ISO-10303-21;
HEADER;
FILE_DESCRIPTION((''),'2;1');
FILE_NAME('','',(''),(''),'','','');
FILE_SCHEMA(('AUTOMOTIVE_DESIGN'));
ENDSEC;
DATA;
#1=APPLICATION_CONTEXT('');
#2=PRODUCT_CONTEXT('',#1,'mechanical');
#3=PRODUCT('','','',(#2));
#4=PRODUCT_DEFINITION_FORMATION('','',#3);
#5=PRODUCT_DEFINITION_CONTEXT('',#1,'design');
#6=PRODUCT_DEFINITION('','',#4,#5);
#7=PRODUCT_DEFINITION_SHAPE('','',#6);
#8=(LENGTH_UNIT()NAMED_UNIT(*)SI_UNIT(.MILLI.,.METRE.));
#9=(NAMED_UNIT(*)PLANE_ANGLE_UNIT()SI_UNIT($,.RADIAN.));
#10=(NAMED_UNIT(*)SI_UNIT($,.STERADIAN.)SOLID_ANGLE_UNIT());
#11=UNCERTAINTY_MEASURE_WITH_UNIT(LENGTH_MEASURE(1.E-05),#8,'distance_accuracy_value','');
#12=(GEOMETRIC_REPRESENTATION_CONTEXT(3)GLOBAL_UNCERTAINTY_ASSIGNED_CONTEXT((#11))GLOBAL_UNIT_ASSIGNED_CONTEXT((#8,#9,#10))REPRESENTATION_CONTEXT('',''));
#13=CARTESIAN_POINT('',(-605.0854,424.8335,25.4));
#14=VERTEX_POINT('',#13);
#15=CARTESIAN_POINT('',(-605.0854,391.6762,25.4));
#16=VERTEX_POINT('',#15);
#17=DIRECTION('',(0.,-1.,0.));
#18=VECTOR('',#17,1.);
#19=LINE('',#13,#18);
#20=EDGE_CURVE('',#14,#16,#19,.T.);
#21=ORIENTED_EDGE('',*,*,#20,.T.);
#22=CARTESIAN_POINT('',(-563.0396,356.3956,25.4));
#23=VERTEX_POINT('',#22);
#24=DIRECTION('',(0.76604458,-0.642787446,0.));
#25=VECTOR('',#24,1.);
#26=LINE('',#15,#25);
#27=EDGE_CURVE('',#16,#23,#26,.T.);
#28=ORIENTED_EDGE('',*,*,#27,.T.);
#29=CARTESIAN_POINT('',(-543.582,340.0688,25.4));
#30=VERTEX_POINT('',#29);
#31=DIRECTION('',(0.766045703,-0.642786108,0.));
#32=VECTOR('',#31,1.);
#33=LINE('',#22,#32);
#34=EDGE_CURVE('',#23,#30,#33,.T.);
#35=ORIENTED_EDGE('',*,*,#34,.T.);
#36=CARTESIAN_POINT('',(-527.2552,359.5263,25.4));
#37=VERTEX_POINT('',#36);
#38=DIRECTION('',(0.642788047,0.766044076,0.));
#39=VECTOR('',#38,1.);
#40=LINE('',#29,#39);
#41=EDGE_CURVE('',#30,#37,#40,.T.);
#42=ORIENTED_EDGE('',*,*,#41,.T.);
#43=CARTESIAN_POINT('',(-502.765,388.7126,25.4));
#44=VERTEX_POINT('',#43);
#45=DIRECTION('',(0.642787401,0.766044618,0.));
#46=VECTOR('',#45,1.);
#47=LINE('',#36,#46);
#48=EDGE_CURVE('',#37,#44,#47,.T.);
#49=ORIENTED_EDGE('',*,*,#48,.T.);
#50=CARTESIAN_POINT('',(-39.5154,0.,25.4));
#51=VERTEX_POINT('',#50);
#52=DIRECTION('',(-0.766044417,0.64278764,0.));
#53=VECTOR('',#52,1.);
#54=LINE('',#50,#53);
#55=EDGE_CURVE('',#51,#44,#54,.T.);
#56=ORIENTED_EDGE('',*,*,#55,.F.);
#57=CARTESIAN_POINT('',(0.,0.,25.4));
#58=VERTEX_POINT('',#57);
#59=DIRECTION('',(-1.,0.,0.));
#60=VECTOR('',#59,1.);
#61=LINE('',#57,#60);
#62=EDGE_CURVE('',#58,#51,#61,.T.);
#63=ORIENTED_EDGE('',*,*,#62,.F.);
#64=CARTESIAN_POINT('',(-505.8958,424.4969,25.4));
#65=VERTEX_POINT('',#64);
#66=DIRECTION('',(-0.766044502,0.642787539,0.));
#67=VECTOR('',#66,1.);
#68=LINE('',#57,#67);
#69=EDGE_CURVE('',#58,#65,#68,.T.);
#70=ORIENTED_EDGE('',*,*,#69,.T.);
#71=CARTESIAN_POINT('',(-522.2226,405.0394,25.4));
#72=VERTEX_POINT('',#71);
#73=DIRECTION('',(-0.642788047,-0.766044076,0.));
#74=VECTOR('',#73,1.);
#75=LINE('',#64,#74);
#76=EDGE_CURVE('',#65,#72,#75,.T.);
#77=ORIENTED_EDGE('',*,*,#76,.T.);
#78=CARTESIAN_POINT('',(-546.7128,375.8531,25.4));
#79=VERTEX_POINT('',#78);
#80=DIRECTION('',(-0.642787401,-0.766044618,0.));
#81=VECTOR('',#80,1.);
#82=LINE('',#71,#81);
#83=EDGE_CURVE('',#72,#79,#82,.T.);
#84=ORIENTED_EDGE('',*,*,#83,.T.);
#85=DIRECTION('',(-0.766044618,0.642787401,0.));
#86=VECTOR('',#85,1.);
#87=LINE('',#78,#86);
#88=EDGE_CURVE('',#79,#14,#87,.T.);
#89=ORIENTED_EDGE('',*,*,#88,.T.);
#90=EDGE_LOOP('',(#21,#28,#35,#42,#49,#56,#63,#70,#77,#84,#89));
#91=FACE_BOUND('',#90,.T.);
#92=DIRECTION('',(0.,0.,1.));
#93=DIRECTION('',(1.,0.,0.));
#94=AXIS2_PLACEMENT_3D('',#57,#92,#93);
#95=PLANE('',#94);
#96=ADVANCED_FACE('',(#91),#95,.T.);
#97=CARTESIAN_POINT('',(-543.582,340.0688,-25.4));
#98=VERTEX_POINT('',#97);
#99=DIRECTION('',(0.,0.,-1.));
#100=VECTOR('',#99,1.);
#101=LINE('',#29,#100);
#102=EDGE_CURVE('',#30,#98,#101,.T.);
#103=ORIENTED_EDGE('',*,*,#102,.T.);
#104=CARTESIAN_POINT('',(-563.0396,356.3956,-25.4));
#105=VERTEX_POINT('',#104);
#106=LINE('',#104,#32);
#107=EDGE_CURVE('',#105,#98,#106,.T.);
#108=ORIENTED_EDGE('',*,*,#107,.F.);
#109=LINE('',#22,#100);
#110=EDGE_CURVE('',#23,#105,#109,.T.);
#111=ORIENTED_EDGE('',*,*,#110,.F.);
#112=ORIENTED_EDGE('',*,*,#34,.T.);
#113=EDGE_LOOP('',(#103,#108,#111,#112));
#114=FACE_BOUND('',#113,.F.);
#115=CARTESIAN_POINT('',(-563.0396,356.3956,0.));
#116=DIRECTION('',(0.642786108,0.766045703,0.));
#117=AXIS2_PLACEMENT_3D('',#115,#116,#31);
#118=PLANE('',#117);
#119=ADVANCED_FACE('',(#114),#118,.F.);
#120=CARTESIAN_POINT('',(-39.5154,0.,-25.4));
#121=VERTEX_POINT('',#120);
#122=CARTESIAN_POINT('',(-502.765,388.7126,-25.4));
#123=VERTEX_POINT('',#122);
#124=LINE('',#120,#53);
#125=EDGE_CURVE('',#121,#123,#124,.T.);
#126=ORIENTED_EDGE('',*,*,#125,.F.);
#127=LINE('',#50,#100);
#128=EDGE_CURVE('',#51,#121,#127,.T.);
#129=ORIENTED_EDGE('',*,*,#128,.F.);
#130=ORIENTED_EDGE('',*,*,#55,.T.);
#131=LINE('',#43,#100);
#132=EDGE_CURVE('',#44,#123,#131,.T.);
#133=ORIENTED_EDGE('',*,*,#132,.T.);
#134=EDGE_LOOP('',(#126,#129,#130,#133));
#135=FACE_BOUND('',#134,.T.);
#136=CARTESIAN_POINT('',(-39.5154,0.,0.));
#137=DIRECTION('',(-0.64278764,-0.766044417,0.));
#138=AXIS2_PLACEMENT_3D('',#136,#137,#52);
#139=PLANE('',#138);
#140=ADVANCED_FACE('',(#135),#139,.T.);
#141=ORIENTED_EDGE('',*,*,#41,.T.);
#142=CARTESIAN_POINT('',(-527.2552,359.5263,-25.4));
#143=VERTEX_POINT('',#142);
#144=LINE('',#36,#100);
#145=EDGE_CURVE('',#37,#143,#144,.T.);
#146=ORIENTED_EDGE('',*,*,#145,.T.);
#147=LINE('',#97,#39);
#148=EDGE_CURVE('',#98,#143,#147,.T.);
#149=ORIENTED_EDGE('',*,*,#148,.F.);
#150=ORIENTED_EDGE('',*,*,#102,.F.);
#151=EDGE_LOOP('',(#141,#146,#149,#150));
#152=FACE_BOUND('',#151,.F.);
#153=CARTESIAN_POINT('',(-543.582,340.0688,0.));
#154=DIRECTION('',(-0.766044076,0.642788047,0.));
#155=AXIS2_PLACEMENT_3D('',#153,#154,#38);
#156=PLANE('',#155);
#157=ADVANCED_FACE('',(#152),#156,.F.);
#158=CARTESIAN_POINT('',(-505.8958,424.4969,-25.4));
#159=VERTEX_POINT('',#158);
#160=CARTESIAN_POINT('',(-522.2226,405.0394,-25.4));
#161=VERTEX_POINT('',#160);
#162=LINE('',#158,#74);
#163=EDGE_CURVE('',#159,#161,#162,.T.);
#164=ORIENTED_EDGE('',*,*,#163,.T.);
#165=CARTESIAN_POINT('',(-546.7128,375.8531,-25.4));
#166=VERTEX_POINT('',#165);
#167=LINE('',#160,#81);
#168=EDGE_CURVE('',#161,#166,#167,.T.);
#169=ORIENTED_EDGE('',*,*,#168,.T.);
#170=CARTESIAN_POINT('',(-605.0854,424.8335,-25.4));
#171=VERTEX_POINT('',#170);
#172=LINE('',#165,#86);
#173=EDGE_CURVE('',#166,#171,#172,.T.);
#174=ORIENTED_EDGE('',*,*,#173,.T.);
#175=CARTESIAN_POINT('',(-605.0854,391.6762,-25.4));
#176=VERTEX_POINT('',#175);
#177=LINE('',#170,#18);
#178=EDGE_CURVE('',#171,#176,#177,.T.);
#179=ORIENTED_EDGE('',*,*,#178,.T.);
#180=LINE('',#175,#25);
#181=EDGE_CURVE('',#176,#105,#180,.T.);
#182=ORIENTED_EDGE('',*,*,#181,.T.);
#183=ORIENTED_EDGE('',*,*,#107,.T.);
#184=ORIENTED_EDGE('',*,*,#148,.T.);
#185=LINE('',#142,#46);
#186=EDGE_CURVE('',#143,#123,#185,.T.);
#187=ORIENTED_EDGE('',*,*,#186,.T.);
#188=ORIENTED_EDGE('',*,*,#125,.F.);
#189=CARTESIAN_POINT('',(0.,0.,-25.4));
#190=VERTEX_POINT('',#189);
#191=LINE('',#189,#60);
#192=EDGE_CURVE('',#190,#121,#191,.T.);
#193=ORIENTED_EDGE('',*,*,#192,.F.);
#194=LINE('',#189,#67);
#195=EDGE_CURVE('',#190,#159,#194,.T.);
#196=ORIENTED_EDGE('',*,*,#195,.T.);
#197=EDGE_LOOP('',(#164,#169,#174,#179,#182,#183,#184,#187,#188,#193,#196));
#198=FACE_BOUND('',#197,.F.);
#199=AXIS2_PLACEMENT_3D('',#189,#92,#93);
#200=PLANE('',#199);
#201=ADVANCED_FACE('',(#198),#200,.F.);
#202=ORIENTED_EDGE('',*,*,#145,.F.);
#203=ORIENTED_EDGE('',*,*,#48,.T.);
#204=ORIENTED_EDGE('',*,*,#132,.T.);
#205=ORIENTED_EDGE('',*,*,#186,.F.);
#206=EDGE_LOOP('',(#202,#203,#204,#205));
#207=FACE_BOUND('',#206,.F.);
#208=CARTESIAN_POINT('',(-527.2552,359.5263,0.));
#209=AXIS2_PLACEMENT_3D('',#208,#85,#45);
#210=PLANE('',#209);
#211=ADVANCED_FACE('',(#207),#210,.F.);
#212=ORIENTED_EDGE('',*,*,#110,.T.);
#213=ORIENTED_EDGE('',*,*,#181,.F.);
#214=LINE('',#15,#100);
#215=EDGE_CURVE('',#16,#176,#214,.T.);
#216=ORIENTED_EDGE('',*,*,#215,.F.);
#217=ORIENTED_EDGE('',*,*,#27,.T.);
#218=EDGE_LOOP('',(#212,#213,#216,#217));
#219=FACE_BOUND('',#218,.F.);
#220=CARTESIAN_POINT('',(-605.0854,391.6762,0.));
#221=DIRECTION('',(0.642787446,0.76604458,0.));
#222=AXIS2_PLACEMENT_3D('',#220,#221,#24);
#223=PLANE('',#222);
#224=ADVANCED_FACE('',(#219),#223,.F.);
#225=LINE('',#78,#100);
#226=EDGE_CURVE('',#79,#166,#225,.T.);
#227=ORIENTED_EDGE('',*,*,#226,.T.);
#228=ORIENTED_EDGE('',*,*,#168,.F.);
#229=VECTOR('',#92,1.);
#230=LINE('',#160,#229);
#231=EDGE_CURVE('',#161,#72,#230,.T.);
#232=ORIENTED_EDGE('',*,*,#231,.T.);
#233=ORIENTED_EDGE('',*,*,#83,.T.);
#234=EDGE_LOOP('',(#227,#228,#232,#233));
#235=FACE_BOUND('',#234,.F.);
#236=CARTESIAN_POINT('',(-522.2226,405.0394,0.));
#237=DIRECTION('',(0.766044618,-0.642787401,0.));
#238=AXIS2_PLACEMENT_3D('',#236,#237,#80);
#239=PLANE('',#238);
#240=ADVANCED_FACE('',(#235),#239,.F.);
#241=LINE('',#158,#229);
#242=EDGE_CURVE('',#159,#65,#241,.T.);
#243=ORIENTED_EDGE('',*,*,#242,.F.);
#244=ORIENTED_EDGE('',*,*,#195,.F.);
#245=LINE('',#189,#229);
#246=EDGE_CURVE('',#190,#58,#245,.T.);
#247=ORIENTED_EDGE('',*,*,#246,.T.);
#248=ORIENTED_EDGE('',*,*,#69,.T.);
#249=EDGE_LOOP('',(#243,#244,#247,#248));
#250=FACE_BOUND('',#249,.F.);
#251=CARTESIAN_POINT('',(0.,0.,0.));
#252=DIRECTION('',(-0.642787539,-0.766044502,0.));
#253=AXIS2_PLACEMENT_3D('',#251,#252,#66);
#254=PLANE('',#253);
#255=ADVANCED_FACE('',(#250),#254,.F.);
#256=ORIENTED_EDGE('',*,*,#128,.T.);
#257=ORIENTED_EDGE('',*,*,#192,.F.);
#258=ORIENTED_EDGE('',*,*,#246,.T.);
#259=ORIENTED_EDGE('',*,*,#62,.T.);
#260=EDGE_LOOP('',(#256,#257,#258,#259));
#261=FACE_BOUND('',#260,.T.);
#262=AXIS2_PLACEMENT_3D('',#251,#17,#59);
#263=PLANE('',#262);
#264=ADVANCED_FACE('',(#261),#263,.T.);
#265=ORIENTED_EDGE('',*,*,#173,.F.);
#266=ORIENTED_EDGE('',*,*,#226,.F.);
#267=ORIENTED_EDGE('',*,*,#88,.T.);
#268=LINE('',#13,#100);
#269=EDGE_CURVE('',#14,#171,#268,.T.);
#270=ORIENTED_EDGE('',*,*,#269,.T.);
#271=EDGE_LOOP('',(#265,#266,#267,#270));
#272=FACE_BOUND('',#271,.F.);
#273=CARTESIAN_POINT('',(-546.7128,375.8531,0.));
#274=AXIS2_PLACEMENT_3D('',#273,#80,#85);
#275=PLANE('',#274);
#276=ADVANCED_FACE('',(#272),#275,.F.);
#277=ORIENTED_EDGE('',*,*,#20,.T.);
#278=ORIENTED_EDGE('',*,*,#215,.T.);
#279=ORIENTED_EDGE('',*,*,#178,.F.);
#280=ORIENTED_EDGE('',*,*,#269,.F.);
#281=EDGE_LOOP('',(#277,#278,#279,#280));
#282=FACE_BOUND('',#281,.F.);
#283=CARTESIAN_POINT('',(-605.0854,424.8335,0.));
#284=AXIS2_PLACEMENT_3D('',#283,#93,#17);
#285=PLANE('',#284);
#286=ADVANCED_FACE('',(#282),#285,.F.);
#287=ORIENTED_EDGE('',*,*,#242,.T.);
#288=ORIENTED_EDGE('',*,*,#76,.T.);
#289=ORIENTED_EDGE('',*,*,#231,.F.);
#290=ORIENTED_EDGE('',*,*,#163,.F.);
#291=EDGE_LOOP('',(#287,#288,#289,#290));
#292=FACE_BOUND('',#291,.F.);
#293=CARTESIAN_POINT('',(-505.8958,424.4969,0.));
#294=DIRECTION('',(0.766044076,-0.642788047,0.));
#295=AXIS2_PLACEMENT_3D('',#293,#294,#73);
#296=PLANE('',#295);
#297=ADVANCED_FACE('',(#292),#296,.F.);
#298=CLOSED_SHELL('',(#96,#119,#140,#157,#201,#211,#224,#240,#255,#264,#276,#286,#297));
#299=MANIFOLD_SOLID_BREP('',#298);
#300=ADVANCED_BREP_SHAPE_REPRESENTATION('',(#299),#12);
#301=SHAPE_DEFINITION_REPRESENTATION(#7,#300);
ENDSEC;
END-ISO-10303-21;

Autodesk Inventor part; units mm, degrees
ref_plane "YZ Plane" through (0, 0, 0) normal (1, 0, 0) x (0, 1, 0)
ref_plane "XZ Plane" through (0, 0, 0) normal (0, 1, 0) x (-1, 0, 0)
ref_plane "XY Plane" through (0, 0, 0) normal (0, 0, 1) x (1, 0, 0)
sketch "Sketch1" plane through (0, 0, 0) normal (0, 0, 1) x (1, 0, 0)
  line L0 (0, 0) -> (-505.8958, 424.4969)
  line L1 (0, 0) -> (-228.6, 0) construction
  line L2 (0, 0) -> (-39.5154, 0)
  line L3 (-39.5154, 0) -> (-502.765, 388.7126)
  line L4 (-505.8958, 424.4969) -> (-522.2226, 405.0394)
  line L5 (-522.2226, 405.0394) -> (-546.7128, 375.8531)
  line L6 (-527.2552, 359.5263) -> (-502.765, 388.7126)
  line L7 (-546.7128, 375.8531) -> (-605.0854, 424.8335)
  line L8 (-605.0854, 391.6762) -> (-563.0396, 356.3956)
  line L9 (-543.582, 340.0688) -> (-527.2552, 359.5263)
  line L10 (-563.0396, 356.3956) -> (-543.582, 340.0688)
  line L11 (-228.6, 0) -> (-203.2, 0)
  line L12 (-605.0854, 424.8335) -> (-605.0854, 391.6762)
  line L13 (0, 0) -> (0, 391.6762) construction
  dimension "d2" = 660.4
  dimension "d3" = 25.4
  dimension "d4" = 40
  dimension "d25" = 50
  dimension "d34" = 63.5
  dimension "d35" = 76.2
extrude "Extrusion1" add sketch "Sketch1" along normal mid plane 50.8
properties part number "newFrame1x2piecsV03"
